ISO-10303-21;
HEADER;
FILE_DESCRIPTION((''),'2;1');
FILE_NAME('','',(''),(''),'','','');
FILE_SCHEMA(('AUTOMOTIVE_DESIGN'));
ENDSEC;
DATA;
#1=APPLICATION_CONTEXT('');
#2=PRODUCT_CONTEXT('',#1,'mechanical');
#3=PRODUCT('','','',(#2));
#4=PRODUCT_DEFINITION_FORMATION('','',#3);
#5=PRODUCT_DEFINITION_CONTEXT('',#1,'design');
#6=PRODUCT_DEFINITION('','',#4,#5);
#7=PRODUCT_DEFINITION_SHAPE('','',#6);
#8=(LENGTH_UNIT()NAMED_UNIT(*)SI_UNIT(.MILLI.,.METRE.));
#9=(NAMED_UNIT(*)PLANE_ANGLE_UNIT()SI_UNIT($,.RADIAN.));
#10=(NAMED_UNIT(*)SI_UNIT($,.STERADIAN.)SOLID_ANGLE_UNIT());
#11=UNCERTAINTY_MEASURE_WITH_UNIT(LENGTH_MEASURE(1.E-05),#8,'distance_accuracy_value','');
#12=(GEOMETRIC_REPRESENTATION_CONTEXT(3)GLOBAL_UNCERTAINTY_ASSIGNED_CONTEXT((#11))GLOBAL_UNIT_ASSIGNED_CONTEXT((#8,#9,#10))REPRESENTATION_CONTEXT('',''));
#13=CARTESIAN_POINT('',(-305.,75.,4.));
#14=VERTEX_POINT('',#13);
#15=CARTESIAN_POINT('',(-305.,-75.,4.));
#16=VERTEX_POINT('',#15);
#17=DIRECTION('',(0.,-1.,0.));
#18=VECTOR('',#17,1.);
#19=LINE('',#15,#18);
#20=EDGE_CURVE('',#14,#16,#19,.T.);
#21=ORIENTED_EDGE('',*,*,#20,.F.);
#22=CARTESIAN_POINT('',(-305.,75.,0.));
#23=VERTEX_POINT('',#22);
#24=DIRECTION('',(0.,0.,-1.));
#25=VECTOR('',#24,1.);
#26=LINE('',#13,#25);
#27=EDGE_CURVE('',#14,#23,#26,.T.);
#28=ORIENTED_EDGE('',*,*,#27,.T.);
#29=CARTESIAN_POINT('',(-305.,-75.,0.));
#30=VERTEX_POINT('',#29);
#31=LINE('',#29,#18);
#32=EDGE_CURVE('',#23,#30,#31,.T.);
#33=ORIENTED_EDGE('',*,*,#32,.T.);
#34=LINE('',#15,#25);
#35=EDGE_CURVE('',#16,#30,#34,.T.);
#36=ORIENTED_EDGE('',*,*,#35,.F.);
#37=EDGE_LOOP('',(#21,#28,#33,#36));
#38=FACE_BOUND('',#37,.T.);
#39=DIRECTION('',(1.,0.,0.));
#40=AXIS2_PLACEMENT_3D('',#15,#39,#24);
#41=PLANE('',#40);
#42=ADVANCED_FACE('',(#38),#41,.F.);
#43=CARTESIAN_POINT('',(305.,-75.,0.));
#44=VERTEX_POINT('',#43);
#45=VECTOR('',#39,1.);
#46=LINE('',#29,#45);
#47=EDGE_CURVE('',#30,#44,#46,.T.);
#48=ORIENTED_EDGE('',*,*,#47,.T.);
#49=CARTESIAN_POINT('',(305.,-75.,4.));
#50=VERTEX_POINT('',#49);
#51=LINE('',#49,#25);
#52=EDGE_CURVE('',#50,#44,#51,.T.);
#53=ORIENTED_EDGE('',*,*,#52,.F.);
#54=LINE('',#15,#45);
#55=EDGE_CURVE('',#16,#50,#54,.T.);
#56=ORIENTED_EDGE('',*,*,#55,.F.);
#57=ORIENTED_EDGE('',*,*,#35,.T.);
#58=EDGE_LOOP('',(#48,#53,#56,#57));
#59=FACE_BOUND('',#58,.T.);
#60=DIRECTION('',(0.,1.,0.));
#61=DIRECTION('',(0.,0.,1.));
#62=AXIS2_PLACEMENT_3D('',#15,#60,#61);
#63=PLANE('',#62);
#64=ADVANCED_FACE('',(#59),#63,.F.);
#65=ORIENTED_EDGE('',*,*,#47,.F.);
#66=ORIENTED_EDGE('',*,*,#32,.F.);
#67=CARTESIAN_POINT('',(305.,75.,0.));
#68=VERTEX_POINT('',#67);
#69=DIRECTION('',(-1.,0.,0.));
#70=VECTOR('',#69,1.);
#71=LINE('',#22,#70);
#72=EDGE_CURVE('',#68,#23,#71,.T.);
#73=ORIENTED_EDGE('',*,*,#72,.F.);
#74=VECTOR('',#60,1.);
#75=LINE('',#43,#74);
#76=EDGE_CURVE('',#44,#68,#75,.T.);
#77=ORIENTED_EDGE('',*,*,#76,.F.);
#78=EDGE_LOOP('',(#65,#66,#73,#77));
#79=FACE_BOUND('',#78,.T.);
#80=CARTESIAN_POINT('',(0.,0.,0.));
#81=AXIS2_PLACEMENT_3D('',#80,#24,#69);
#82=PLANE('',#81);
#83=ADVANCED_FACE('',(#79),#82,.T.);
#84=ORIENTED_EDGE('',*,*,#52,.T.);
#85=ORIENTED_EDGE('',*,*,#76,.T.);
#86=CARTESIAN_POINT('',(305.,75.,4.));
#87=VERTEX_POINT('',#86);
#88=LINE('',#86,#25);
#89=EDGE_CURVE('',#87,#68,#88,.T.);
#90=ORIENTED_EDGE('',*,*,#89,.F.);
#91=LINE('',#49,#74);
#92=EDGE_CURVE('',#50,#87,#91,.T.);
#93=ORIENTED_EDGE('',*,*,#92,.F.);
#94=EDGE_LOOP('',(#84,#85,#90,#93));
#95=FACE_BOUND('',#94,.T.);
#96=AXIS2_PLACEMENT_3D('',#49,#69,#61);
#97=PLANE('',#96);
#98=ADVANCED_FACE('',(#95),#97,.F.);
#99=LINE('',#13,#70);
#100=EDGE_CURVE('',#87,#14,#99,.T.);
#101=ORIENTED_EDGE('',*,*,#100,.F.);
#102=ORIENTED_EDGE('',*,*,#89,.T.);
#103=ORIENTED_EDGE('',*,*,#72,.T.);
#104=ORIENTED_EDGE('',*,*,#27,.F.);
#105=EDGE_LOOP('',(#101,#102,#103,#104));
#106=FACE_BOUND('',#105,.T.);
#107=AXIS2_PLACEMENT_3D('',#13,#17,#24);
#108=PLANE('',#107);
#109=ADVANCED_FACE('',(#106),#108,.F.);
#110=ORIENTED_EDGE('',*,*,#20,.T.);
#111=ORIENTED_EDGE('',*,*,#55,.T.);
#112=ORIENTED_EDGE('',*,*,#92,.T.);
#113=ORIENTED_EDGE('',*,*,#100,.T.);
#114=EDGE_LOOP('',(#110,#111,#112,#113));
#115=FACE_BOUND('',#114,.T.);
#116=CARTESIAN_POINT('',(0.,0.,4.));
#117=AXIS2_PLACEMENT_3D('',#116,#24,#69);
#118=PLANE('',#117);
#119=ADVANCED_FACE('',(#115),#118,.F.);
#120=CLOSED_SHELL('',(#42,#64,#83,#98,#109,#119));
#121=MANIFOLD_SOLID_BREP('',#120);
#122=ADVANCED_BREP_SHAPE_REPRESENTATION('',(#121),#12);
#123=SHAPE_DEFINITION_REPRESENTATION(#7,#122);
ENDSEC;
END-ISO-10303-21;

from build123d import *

# Parameters (mm, degrees)
ESBO_O1_W                = 610
ESBO_O1_H                = 150
RESSALTO_EXTRUS_O1_DEPTH = 4


with BuildPart() as part:
    # Esboço1 → Ressalto-extrusão1 (new body)
    with BuildSketch(Plane.XY):
        Rectangle(ESBO_O1_W, ESBO_O1_H)
    extrude(amount=RESSALTO_EXTRUS_O1_DEPTH)


solid = part.part
